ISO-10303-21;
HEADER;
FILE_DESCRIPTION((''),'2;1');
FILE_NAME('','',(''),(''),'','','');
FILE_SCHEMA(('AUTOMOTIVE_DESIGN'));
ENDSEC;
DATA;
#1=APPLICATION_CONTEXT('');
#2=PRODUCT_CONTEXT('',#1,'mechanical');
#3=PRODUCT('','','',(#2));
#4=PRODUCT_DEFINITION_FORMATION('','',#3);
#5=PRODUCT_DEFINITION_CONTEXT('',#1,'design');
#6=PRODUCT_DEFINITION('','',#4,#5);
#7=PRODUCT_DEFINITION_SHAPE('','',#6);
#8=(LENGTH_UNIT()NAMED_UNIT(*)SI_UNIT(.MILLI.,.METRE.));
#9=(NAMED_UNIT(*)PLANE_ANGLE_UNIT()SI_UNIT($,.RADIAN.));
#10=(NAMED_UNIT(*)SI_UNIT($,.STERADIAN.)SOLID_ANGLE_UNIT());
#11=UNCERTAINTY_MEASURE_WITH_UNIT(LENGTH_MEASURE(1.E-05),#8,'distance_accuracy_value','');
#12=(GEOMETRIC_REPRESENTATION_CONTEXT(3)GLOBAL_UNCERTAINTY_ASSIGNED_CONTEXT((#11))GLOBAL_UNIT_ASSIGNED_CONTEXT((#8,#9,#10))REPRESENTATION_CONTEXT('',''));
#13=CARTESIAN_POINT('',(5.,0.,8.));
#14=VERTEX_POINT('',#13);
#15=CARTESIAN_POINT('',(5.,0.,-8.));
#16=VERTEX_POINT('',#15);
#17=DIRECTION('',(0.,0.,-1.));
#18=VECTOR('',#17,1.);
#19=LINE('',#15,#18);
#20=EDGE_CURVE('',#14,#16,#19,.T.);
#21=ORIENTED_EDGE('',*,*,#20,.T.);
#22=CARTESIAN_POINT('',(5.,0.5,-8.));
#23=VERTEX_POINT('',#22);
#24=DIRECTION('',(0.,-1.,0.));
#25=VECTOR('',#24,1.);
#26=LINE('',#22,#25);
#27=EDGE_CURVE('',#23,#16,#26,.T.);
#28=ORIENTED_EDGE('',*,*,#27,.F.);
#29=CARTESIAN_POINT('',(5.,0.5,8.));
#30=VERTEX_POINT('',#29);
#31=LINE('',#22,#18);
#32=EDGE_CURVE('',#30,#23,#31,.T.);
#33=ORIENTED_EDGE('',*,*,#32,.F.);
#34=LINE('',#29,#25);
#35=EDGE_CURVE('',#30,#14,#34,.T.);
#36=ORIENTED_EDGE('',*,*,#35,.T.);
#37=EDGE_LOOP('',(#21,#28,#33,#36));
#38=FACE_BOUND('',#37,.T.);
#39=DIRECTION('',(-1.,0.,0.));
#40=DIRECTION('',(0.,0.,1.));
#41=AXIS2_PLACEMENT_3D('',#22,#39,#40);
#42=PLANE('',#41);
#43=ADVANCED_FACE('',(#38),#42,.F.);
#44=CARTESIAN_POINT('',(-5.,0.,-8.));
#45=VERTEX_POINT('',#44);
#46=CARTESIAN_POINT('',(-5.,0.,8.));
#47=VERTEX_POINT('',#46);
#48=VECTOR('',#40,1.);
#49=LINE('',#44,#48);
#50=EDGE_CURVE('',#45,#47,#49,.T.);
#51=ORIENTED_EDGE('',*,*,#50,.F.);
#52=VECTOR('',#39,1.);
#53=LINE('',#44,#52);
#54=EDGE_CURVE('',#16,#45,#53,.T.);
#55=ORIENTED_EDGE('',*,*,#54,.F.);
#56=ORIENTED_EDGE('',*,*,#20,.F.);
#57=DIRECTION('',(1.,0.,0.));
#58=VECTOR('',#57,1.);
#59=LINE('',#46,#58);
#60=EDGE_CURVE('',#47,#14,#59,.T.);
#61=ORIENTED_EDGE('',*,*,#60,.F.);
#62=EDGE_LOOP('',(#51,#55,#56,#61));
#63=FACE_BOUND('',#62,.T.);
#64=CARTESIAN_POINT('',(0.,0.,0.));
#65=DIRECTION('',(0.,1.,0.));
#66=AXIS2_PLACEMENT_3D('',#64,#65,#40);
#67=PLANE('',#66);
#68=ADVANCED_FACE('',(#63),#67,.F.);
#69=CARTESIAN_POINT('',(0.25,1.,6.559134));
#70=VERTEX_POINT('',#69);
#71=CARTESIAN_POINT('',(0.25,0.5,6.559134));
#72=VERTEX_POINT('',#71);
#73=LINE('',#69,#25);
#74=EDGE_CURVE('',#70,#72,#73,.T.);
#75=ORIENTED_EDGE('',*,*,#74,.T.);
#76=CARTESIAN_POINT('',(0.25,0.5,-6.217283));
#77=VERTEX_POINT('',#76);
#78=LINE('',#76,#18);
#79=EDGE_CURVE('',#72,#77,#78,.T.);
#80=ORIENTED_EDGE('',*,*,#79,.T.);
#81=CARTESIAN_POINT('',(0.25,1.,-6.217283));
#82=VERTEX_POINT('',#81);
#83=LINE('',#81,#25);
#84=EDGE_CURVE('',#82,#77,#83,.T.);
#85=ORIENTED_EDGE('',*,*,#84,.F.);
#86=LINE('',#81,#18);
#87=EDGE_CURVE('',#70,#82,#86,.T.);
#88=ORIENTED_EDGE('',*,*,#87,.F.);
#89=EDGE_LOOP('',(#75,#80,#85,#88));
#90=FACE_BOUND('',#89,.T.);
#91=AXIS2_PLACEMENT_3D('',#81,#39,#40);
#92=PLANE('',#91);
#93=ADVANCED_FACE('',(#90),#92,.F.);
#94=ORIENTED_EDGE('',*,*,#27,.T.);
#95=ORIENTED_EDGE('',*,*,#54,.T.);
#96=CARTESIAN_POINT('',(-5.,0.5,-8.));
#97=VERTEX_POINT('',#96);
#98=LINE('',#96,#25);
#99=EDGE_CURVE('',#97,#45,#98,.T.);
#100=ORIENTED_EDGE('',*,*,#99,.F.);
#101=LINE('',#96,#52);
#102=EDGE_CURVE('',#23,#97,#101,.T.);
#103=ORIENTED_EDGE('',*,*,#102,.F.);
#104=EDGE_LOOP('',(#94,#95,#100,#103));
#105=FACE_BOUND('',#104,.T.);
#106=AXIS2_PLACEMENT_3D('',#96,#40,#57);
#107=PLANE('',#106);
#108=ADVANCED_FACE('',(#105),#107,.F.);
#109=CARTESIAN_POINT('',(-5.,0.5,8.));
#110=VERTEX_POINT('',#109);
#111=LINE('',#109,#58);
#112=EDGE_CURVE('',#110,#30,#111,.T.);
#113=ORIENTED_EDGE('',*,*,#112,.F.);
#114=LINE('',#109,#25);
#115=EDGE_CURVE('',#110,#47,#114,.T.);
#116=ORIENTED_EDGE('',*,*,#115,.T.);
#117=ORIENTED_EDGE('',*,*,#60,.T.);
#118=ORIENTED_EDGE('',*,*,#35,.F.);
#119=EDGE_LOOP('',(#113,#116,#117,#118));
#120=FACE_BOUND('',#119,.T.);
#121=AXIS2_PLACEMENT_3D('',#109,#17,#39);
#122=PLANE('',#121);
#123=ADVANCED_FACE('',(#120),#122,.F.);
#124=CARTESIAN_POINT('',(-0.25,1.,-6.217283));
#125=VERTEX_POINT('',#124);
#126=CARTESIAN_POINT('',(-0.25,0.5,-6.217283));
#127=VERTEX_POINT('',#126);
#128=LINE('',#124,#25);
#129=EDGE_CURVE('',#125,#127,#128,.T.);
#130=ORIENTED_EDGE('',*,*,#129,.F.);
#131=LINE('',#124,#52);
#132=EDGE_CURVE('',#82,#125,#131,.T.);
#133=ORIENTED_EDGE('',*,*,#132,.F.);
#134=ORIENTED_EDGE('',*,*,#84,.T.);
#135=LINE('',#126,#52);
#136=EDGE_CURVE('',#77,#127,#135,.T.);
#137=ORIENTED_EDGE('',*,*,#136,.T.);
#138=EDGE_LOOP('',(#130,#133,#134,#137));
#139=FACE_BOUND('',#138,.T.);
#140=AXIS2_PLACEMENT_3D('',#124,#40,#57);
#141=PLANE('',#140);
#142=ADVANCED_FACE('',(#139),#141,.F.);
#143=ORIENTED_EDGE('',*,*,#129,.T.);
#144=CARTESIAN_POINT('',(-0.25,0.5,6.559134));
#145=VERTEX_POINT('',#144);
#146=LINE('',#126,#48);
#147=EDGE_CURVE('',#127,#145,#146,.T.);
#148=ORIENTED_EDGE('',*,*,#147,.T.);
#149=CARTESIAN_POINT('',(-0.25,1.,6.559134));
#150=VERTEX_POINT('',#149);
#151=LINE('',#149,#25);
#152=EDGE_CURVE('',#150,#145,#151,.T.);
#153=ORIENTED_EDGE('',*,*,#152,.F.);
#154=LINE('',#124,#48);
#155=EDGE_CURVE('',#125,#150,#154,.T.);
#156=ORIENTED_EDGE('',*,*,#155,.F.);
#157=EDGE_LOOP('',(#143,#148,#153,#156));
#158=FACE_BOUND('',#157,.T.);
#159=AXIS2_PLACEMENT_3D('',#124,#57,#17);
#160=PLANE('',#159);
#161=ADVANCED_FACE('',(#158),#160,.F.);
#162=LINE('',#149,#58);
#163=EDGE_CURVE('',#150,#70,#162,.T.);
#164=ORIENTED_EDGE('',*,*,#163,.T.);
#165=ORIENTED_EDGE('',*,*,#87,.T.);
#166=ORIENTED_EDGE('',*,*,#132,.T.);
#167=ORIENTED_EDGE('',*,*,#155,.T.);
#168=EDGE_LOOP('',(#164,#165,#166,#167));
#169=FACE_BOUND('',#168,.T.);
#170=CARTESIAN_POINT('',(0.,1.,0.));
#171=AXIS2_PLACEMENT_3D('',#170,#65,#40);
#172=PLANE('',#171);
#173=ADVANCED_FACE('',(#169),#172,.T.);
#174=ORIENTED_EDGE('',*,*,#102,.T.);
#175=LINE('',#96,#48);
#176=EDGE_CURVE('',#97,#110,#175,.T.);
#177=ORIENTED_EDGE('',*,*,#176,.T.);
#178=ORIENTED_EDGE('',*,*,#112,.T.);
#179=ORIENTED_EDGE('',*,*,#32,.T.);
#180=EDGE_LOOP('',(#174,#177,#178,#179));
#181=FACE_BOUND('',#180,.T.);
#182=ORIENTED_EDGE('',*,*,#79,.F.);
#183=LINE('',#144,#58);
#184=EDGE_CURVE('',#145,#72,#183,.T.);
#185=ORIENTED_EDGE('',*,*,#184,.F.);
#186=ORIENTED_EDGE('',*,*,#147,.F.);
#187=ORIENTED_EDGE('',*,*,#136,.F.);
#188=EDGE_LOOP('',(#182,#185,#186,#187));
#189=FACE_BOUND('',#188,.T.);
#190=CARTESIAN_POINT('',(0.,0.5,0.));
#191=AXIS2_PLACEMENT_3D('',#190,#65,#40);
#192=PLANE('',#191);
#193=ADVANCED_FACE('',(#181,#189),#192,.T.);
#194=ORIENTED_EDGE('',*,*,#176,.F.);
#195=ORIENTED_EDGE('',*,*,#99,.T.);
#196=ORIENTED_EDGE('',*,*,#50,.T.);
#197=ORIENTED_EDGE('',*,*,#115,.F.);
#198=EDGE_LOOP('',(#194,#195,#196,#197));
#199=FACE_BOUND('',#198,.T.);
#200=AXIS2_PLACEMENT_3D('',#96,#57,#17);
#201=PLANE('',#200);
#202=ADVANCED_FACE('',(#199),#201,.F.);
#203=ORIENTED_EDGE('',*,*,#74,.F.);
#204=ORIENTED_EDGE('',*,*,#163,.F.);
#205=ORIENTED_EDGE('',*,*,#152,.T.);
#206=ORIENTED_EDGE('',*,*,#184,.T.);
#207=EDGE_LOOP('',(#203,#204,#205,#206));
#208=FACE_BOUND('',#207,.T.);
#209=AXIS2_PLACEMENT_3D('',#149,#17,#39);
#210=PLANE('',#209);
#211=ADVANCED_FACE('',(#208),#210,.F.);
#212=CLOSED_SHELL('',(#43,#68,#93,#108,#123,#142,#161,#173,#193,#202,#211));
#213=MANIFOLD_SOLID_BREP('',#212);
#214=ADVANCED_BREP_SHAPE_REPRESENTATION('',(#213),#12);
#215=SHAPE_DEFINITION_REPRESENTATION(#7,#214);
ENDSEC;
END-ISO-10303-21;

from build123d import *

# Parameters (mm, degrees)
SKETCH1_W           = 10
SKETCH1_H           = 16
BOSS_EXTRUDE1_DEPTH = 0.5
SKETCH3_W           = 0.5
SKETCH3_H           = 12.776417552
BOSS_EXTRUDE2_DEPTH = 0.5


with BuildPart() as part:
    # Sketch1 → Boss-Extrude1 (new body)
    with BuildSketch(Plane(origin=(0, 0, 0), x_dir=(1, 0, 0), z_dir=(0, 1, 0))):
        Rectangle(SKETCH1_W, SKETCH1_H)
    extrude(amount=BOSS_EXTRUDE1_DEPTH)

    # Sketch3 → Boss-Extrude2 (add)
    with BuildSketch(Plane(origin=(0, 0.5, 0), x_dir=(1, 0, 0), z_dir=(0, 1, 0))):
        with Locations((0, -0.170925653)):
            Rectangle(SKETCH3_W, SKETCH3_H)
    extrude(amount=BOSS_EXTRUDE2_DEPTH)


solid = part.part
